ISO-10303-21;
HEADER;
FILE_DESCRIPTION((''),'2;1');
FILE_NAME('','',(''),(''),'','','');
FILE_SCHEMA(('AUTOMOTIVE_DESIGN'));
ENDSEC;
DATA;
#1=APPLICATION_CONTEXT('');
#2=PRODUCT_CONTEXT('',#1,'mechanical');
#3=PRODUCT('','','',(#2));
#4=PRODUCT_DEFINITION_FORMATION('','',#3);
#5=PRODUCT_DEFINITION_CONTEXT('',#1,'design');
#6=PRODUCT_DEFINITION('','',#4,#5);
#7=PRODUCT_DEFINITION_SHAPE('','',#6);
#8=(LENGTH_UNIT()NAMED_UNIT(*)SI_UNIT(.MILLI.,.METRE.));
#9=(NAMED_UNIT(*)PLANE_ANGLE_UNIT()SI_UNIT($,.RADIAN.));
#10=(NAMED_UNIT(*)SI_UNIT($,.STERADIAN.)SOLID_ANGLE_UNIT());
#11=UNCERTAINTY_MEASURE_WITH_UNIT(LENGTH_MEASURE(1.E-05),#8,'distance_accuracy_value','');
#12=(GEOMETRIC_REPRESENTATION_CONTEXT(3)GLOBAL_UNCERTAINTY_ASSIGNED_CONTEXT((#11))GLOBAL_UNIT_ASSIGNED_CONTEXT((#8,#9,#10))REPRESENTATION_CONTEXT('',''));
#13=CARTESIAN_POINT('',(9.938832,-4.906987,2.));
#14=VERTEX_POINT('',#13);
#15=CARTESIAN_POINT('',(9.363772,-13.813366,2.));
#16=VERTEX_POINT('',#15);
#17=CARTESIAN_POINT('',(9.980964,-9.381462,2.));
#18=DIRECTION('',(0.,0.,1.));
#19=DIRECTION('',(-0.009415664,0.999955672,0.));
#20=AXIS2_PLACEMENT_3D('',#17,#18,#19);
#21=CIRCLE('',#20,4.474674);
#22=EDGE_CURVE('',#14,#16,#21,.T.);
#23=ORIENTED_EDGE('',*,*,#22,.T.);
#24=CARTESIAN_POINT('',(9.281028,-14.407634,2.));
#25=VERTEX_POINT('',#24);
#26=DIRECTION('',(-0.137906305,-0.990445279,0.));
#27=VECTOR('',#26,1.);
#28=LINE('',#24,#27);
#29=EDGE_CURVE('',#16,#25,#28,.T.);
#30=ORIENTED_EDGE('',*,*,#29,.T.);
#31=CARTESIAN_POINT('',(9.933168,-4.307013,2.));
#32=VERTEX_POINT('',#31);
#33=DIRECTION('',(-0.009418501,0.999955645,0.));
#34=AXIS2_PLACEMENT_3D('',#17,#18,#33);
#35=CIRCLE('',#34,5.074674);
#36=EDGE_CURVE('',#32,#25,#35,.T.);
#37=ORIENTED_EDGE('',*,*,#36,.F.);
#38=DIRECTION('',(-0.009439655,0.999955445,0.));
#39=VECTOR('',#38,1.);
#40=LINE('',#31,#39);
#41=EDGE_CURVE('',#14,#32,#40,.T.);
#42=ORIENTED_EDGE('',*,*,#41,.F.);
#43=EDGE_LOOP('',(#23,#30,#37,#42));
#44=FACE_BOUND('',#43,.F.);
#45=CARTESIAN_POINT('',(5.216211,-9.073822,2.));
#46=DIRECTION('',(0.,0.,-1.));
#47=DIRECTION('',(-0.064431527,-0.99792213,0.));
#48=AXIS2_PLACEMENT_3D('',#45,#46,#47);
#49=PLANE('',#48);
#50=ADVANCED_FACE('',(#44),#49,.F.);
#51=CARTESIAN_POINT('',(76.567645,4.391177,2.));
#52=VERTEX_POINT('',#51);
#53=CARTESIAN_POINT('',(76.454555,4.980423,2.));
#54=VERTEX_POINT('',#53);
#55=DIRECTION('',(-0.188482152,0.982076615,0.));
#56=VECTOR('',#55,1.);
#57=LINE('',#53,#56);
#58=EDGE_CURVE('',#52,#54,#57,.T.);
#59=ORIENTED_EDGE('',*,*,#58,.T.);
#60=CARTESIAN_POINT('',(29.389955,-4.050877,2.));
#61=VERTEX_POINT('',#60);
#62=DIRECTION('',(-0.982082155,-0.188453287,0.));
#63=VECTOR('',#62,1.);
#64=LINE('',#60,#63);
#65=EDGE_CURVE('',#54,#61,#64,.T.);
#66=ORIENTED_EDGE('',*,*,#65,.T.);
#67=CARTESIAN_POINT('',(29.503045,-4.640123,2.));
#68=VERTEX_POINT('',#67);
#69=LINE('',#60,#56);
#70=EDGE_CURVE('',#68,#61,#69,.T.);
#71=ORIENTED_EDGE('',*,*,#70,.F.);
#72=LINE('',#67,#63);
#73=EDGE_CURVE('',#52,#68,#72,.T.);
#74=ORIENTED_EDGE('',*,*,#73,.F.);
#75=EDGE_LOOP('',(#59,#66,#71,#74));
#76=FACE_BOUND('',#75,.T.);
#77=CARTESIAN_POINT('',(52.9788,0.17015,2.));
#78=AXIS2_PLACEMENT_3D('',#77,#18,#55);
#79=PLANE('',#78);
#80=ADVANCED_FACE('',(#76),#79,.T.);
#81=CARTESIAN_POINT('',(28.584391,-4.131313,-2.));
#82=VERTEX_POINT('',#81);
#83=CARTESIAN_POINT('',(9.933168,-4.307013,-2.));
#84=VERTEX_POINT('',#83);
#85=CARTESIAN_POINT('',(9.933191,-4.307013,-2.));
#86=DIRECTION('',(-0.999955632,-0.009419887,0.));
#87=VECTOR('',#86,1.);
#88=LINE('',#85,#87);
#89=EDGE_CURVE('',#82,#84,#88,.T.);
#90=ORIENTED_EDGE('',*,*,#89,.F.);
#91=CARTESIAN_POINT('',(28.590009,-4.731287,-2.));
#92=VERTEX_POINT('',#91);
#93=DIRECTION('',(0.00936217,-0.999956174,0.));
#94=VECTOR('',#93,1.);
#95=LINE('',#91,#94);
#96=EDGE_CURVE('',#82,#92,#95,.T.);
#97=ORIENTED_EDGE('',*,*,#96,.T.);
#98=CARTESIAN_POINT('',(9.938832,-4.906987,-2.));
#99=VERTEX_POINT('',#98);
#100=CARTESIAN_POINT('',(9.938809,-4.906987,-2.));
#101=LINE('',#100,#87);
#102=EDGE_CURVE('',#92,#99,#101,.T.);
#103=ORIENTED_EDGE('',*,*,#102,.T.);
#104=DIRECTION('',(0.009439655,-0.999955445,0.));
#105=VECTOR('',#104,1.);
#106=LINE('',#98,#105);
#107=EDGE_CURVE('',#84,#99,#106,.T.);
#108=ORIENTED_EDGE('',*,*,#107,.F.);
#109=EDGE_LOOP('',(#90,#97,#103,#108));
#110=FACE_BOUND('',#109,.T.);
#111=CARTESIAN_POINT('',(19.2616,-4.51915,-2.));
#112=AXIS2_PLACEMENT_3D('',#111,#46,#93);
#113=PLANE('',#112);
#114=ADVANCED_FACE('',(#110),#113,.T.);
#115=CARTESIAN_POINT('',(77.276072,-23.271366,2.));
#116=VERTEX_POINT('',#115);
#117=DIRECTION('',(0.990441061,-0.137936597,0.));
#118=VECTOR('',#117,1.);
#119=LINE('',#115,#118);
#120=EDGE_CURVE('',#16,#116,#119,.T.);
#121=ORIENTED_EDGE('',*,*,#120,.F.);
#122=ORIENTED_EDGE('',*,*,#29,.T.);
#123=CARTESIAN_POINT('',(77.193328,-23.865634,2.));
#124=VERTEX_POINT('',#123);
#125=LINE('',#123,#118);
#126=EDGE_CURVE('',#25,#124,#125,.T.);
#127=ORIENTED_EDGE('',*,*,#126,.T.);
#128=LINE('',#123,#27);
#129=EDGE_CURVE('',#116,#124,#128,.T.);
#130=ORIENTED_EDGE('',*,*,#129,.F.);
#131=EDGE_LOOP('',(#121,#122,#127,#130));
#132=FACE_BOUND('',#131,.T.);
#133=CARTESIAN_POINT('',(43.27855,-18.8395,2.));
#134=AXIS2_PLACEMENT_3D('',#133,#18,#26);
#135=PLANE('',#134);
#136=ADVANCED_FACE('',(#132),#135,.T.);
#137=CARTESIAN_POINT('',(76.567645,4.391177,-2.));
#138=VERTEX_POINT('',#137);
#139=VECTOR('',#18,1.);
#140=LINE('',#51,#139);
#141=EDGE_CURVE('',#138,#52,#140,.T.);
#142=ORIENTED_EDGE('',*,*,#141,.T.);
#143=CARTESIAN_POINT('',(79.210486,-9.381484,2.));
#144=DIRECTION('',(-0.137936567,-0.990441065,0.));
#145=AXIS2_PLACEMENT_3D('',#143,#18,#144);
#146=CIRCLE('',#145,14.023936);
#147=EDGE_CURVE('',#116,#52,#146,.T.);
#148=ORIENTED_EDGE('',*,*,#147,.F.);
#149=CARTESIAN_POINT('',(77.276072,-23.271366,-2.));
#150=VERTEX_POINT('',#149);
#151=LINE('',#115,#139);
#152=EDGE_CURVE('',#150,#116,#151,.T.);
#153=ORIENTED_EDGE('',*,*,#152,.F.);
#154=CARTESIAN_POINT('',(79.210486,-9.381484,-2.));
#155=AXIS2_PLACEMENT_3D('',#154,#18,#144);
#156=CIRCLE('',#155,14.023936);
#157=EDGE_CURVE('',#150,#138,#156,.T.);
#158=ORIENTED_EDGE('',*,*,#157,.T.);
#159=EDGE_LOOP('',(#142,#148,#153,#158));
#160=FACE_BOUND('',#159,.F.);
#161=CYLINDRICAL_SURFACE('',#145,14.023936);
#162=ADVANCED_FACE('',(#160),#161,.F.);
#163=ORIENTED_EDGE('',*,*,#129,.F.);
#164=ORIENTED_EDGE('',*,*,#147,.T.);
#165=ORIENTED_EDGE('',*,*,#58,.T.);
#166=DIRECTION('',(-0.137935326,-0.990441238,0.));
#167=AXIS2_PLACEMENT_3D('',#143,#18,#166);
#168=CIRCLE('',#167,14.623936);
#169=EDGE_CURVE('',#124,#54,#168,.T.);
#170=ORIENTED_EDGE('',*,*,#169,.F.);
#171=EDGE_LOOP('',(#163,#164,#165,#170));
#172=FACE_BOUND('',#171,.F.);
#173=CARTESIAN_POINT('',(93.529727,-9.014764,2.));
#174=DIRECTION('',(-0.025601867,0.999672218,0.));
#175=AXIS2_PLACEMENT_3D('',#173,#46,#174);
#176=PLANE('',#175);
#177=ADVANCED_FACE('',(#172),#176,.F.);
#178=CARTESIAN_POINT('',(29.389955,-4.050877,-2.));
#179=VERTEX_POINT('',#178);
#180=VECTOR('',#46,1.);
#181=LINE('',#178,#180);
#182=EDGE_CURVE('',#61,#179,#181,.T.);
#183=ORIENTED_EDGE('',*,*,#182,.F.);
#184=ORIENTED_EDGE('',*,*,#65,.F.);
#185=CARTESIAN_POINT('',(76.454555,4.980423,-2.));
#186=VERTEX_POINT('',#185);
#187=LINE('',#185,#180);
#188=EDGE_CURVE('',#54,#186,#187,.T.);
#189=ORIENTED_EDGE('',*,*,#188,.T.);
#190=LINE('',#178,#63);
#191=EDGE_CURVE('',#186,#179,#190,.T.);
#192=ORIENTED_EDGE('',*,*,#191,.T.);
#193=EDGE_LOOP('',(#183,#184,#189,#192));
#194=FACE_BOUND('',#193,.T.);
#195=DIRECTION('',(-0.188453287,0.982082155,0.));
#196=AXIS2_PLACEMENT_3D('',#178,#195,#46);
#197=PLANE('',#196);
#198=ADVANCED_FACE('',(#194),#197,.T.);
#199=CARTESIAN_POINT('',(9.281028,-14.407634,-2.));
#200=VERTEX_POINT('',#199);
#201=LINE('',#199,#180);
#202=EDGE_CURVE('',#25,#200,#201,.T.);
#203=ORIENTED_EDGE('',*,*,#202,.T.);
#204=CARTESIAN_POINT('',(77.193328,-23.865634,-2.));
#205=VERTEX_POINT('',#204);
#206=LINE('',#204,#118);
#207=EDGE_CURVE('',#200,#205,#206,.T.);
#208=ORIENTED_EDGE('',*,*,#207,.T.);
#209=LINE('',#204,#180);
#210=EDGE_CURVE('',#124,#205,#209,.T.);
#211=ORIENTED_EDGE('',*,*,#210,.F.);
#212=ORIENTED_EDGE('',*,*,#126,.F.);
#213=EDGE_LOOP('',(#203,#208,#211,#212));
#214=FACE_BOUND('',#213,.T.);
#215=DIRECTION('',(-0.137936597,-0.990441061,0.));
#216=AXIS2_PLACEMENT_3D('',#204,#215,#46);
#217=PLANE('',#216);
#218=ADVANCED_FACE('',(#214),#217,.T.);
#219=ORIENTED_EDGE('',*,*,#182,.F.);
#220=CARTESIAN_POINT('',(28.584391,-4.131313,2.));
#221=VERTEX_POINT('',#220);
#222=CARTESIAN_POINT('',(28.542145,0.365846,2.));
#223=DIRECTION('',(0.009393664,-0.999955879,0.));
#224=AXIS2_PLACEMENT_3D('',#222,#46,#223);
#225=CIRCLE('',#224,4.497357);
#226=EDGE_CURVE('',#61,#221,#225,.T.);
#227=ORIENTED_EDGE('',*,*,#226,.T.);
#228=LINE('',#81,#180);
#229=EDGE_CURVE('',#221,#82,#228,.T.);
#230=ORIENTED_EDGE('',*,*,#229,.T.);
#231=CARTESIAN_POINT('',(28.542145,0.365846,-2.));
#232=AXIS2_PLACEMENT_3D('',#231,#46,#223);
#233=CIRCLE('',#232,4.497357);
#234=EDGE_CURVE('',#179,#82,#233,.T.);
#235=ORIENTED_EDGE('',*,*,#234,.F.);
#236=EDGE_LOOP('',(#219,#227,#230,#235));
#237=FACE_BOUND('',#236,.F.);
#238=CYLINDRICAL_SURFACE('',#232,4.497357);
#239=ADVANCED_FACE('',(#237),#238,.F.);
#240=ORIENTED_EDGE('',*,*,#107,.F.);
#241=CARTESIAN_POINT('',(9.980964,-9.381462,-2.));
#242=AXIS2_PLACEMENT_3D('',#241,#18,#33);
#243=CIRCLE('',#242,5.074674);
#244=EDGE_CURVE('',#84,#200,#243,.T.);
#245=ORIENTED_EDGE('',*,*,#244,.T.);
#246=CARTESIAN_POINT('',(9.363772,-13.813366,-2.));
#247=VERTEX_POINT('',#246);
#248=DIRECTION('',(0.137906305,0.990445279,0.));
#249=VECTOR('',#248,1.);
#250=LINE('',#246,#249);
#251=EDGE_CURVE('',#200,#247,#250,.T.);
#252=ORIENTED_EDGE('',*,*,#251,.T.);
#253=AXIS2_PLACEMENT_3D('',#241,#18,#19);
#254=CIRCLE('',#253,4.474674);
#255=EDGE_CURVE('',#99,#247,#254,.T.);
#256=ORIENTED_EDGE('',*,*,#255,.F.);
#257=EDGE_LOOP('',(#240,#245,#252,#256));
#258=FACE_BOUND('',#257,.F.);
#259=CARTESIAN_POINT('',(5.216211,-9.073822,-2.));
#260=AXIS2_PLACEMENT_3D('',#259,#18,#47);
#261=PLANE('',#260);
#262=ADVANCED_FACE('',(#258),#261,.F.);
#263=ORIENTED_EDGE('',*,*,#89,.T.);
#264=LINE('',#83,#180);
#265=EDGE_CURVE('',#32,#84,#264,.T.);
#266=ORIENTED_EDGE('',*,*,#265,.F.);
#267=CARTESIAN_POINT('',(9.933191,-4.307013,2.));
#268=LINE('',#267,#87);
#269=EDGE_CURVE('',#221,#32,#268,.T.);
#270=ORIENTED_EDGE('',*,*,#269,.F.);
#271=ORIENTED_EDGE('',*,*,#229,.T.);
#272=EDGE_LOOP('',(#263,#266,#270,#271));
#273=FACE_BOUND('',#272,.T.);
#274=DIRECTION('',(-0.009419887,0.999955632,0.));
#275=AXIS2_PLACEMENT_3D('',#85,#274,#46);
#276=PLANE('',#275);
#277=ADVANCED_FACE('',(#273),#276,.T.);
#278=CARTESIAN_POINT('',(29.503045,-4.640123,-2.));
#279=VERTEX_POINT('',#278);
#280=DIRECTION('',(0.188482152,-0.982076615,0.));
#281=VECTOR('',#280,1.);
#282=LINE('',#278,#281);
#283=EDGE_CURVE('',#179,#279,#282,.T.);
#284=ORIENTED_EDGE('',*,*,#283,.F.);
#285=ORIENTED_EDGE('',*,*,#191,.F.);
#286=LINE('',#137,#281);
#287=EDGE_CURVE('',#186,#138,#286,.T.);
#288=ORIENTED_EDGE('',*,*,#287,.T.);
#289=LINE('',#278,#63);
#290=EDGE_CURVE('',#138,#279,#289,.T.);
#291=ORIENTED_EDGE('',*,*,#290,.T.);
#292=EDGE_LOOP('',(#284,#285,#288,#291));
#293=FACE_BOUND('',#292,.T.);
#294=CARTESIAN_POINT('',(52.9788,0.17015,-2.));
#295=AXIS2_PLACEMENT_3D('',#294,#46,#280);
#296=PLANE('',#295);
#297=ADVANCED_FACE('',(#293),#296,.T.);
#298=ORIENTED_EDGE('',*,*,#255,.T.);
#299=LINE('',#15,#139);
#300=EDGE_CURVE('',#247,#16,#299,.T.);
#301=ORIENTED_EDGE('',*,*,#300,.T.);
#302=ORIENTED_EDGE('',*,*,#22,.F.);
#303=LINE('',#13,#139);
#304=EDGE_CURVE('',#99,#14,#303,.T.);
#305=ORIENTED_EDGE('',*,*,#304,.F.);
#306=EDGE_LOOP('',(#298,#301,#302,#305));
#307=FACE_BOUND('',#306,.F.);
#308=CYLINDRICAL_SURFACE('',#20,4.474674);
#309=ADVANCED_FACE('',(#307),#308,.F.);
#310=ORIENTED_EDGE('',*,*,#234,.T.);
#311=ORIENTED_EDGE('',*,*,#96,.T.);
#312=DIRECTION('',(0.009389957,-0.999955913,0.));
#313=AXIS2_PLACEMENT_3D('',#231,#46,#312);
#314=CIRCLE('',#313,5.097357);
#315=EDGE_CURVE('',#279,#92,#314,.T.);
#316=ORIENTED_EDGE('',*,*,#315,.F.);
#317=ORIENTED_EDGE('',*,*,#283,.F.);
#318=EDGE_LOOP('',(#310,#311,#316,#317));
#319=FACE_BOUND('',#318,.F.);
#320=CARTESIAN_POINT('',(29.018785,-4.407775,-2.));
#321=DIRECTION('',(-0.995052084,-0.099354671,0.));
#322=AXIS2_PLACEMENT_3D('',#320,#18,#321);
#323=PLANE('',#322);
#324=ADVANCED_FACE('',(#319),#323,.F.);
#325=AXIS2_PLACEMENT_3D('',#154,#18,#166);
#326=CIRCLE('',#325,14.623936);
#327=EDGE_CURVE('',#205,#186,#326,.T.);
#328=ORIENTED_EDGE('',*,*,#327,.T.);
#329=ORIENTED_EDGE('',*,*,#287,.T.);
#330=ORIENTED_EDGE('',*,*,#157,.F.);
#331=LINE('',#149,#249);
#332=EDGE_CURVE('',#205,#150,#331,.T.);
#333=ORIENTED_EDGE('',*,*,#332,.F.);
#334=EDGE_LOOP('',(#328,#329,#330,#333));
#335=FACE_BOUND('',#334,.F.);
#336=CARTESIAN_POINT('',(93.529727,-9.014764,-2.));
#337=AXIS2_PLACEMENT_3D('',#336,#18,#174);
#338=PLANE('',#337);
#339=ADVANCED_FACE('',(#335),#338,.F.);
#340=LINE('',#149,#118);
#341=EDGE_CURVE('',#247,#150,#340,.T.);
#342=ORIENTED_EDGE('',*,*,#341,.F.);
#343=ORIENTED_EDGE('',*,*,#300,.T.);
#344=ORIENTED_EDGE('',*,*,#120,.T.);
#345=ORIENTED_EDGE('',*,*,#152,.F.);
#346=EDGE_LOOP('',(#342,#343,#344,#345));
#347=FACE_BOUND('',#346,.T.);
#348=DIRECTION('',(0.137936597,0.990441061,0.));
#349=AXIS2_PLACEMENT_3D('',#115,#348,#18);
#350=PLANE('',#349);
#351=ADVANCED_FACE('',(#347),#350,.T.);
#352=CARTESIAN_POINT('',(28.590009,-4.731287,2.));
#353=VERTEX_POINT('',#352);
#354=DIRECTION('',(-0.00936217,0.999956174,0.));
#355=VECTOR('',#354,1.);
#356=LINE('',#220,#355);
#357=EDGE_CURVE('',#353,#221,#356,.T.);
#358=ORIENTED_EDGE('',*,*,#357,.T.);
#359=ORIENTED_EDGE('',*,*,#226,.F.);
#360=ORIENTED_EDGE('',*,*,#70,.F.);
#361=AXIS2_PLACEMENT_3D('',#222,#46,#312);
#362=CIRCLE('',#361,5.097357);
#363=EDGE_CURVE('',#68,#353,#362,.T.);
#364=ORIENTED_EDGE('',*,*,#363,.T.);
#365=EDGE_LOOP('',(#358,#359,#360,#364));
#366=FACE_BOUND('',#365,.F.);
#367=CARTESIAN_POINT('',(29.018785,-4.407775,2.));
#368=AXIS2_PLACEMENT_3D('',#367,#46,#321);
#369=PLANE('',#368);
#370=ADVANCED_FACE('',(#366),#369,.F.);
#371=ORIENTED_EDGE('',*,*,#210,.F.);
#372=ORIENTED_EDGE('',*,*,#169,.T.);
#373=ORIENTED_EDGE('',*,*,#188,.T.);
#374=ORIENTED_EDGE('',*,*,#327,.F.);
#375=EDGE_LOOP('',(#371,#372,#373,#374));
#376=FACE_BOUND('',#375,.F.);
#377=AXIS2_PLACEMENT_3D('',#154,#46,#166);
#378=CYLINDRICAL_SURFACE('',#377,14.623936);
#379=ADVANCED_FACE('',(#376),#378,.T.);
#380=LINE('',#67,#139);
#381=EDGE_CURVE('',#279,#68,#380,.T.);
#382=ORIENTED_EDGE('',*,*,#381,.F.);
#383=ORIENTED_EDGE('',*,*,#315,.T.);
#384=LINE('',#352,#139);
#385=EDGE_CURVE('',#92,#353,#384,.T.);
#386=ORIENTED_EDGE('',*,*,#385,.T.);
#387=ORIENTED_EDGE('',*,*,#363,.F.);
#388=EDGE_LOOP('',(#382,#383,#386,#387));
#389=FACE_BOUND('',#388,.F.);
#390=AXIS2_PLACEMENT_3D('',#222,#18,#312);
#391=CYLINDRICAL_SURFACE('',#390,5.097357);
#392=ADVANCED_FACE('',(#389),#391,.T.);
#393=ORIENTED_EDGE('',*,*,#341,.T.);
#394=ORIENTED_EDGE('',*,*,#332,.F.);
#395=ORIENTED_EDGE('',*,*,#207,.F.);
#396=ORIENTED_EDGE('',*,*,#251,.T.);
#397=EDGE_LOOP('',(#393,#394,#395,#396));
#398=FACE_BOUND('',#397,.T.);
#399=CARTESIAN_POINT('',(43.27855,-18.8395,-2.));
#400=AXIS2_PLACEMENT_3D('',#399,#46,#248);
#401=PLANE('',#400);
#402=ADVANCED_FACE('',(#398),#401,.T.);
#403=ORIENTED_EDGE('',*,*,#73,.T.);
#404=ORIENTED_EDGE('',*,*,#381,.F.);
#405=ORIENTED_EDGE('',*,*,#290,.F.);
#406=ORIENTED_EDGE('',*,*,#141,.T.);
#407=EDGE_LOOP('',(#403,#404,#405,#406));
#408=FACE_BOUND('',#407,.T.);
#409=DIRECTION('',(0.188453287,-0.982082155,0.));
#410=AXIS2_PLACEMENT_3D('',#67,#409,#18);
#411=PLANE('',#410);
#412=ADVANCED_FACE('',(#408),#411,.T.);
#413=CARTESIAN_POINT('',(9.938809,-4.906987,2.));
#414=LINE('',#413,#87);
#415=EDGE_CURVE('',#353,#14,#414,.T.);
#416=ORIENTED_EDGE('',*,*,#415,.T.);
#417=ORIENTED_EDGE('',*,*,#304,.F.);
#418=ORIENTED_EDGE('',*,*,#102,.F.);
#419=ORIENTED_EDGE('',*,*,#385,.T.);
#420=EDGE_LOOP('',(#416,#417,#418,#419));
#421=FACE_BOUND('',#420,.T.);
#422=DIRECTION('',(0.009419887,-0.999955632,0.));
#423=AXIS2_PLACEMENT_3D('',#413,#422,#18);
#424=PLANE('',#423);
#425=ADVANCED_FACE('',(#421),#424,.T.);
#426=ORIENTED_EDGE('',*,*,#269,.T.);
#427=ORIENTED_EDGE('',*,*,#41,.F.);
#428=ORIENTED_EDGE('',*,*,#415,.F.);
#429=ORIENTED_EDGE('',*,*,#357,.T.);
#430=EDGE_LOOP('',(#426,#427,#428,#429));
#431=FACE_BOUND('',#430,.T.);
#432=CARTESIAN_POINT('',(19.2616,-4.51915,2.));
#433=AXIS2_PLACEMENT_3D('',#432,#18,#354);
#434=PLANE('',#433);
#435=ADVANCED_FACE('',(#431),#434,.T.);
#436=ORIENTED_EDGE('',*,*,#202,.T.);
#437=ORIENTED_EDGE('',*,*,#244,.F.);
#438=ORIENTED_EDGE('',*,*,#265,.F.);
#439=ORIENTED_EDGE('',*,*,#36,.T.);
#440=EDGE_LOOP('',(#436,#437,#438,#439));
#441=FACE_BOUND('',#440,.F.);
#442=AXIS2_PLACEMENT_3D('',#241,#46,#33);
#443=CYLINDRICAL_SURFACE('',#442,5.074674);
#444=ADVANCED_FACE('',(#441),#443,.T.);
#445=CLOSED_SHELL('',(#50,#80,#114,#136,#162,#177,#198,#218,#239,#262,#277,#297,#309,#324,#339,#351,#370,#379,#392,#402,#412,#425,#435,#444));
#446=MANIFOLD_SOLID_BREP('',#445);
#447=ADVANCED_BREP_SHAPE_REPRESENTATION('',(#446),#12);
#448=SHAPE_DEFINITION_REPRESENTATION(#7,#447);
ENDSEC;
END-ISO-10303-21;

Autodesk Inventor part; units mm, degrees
sketch "Sketch Path" plane through (0, 0, 0) normal (0, 0, 1) x (1, 0, 0)
  arc A0 (9.936, -4.607) -> (9.3224, -14.1105) centre (9.981, -9.3815) ccw
  arc A1 (28.5872, -4.4313) -> (29.4465, -4.3455) centre (28.542, 0.3685) ccw
  arc A2 (77.2347, -23.5685) -> (76.5111, 4.6858) centre (79.2105, -9.3815) ccw
  line L0 (77.2347, -23.5685) -> (9.3224, -14.1105)
  line L1 (9.936, -4.607) -> (28.5872, -4.4313)
  line L2 (29.4465, -4.3455) -> (76.5111, 4.6858)
ref_plane "Cross Section Plane" through (9.3224, -14.1105, 0) normal (0.9904, -0.1379, 0) x (0, 0, 1)
ref_plane "Work Plane2" through (9.981, -9.3815, 0) normal (-1, 0, 0) x (0, 0, 1)
ref_plane "Work Plane3" through (79.2105, -9.3815, 0) normal (-0.9998, -0.0189, 0) x (0, 0, 1)
sketch "Cross Section" plane through (9.3224, -14.1105, 0) normal (0.9904, -0.1379, 0) x (0, 0, 1)
  line L0 (-2, 0.3) -> (2, 0.3)
  line L1 (2, 0.3) -> (2, -0.3)
  line L2 (2, -0.3) -> (-2, -0.3)
  line L3 (-2, -0.3) -> (-2, 0.3)
  line L4 (-2, 0) -> (2, 0) construction
  point P0 (0, 0)
  point P1 (0, 0)
  dimension "d0" = 4
  dimension "d4" = 0.3
  dimension "d5" = 0.3
sweep "Belt" add profiles "Cross Section" path "Sketch Path"
equation "\"d0\" = da_B"
equation "\"d4\" = da_a"
equation "\"d5\" = da_a2"
equation "\"da_B\" = 4"
equation "\"da_pb\" = 2.5"
equation "\"da_a\" = 0.3"
equation "\"da_S\" = 1.5"
equation "\"da_Beta\" = 20deg"
equation "\"da_Ht\" = 0.7"
equation "\"da_H\" = 1.3"
equation "\"da_a2\" = 0.3"
properties part number "Synchronous Belt" material "Rubber"
